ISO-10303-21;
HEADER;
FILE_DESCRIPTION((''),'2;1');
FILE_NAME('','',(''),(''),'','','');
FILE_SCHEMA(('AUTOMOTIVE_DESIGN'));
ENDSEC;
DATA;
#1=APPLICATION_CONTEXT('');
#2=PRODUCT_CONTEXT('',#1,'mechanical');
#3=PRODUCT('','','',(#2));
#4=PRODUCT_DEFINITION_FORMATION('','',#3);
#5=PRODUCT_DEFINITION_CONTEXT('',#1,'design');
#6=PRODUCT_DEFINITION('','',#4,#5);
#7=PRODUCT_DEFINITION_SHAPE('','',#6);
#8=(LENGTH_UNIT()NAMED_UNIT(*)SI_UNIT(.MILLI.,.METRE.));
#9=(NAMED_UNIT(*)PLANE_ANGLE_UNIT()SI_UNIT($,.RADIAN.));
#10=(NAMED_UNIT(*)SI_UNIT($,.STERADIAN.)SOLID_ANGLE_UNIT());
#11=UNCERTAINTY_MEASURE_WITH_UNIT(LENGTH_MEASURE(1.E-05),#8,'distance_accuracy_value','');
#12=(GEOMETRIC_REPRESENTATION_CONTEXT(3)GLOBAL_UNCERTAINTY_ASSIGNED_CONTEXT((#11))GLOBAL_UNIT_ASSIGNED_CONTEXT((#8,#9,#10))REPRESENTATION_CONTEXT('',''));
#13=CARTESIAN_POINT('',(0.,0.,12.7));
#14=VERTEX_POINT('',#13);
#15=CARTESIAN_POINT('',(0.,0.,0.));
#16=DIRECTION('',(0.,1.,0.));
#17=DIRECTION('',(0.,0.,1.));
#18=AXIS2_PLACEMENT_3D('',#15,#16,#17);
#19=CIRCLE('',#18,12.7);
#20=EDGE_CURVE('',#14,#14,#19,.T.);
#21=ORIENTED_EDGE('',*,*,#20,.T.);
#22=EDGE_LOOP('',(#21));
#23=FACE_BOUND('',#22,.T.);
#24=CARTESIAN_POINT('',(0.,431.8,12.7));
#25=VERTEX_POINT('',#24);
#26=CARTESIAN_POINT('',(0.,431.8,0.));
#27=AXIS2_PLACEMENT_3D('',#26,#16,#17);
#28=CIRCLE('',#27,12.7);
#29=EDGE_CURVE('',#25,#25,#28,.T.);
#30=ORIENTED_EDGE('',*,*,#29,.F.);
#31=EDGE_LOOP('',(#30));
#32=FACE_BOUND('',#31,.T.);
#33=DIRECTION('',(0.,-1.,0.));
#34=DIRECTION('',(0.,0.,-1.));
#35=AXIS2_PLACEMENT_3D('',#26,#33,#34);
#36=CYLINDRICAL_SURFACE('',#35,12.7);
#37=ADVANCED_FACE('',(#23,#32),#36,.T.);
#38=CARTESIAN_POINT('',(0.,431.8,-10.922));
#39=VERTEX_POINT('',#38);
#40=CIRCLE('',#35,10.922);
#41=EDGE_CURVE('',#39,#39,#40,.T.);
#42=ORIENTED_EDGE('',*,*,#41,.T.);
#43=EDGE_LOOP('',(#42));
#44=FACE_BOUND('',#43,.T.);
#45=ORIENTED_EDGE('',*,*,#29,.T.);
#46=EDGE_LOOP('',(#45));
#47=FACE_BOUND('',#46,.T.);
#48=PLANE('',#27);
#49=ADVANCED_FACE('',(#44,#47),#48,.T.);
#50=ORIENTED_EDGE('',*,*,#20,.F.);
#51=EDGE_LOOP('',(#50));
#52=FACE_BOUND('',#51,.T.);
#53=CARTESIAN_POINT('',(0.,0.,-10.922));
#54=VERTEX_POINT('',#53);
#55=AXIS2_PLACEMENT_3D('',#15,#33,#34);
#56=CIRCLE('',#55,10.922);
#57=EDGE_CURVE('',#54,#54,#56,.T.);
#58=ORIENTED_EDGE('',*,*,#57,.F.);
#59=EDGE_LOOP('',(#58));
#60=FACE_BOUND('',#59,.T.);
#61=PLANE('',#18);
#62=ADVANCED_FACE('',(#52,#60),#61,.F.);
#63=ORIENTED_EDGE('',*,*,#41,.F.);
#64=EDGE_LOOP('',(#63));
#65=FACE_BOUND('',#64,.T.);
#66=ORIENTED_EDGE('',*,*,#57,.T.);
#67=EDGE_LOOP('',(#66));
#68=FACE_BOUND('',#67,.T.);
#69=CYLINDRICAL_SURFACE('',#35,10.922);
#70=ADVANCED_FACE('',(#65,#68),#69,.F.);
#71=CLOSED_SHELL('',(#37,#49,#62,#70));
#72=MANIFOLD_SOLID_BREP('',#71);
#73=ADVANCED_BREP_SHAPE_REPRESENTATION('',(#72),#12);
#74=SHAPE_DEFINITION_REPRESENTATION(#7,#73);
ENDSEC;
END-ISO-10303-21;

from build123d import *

# Parameters (mm, degrees)
SKETCH1_R           = 12.7
BOSS_EXTRUDE1_DEPTH = 431.8
SKETCH2_R           = 10.922
CUT_EXTRUDE1_DEPTH  = 432.8


with BuildPart() as part:
    # Sketch1 → Boss-Extrude1 (new body)
    with BuildSketch(Plane(origin=(0, 0, 0), x_dir=(1, 0, 0), z_dir=(0, 1, 0))):
        Circle(SKETCH1_R)
    extrude(amount=BOSS_EXTRUDE1_DEPTH)

    # Sketch2 → Cut-Extrude1 (cut, through all)
    with BuildSketch(Plane.XZ):
        Circle(SKETCH2_R)
    extrude(amount=-CUT_EXTRUDE1_DEPTH, mode=Mode.SUBTRACT)


solid = part.part
